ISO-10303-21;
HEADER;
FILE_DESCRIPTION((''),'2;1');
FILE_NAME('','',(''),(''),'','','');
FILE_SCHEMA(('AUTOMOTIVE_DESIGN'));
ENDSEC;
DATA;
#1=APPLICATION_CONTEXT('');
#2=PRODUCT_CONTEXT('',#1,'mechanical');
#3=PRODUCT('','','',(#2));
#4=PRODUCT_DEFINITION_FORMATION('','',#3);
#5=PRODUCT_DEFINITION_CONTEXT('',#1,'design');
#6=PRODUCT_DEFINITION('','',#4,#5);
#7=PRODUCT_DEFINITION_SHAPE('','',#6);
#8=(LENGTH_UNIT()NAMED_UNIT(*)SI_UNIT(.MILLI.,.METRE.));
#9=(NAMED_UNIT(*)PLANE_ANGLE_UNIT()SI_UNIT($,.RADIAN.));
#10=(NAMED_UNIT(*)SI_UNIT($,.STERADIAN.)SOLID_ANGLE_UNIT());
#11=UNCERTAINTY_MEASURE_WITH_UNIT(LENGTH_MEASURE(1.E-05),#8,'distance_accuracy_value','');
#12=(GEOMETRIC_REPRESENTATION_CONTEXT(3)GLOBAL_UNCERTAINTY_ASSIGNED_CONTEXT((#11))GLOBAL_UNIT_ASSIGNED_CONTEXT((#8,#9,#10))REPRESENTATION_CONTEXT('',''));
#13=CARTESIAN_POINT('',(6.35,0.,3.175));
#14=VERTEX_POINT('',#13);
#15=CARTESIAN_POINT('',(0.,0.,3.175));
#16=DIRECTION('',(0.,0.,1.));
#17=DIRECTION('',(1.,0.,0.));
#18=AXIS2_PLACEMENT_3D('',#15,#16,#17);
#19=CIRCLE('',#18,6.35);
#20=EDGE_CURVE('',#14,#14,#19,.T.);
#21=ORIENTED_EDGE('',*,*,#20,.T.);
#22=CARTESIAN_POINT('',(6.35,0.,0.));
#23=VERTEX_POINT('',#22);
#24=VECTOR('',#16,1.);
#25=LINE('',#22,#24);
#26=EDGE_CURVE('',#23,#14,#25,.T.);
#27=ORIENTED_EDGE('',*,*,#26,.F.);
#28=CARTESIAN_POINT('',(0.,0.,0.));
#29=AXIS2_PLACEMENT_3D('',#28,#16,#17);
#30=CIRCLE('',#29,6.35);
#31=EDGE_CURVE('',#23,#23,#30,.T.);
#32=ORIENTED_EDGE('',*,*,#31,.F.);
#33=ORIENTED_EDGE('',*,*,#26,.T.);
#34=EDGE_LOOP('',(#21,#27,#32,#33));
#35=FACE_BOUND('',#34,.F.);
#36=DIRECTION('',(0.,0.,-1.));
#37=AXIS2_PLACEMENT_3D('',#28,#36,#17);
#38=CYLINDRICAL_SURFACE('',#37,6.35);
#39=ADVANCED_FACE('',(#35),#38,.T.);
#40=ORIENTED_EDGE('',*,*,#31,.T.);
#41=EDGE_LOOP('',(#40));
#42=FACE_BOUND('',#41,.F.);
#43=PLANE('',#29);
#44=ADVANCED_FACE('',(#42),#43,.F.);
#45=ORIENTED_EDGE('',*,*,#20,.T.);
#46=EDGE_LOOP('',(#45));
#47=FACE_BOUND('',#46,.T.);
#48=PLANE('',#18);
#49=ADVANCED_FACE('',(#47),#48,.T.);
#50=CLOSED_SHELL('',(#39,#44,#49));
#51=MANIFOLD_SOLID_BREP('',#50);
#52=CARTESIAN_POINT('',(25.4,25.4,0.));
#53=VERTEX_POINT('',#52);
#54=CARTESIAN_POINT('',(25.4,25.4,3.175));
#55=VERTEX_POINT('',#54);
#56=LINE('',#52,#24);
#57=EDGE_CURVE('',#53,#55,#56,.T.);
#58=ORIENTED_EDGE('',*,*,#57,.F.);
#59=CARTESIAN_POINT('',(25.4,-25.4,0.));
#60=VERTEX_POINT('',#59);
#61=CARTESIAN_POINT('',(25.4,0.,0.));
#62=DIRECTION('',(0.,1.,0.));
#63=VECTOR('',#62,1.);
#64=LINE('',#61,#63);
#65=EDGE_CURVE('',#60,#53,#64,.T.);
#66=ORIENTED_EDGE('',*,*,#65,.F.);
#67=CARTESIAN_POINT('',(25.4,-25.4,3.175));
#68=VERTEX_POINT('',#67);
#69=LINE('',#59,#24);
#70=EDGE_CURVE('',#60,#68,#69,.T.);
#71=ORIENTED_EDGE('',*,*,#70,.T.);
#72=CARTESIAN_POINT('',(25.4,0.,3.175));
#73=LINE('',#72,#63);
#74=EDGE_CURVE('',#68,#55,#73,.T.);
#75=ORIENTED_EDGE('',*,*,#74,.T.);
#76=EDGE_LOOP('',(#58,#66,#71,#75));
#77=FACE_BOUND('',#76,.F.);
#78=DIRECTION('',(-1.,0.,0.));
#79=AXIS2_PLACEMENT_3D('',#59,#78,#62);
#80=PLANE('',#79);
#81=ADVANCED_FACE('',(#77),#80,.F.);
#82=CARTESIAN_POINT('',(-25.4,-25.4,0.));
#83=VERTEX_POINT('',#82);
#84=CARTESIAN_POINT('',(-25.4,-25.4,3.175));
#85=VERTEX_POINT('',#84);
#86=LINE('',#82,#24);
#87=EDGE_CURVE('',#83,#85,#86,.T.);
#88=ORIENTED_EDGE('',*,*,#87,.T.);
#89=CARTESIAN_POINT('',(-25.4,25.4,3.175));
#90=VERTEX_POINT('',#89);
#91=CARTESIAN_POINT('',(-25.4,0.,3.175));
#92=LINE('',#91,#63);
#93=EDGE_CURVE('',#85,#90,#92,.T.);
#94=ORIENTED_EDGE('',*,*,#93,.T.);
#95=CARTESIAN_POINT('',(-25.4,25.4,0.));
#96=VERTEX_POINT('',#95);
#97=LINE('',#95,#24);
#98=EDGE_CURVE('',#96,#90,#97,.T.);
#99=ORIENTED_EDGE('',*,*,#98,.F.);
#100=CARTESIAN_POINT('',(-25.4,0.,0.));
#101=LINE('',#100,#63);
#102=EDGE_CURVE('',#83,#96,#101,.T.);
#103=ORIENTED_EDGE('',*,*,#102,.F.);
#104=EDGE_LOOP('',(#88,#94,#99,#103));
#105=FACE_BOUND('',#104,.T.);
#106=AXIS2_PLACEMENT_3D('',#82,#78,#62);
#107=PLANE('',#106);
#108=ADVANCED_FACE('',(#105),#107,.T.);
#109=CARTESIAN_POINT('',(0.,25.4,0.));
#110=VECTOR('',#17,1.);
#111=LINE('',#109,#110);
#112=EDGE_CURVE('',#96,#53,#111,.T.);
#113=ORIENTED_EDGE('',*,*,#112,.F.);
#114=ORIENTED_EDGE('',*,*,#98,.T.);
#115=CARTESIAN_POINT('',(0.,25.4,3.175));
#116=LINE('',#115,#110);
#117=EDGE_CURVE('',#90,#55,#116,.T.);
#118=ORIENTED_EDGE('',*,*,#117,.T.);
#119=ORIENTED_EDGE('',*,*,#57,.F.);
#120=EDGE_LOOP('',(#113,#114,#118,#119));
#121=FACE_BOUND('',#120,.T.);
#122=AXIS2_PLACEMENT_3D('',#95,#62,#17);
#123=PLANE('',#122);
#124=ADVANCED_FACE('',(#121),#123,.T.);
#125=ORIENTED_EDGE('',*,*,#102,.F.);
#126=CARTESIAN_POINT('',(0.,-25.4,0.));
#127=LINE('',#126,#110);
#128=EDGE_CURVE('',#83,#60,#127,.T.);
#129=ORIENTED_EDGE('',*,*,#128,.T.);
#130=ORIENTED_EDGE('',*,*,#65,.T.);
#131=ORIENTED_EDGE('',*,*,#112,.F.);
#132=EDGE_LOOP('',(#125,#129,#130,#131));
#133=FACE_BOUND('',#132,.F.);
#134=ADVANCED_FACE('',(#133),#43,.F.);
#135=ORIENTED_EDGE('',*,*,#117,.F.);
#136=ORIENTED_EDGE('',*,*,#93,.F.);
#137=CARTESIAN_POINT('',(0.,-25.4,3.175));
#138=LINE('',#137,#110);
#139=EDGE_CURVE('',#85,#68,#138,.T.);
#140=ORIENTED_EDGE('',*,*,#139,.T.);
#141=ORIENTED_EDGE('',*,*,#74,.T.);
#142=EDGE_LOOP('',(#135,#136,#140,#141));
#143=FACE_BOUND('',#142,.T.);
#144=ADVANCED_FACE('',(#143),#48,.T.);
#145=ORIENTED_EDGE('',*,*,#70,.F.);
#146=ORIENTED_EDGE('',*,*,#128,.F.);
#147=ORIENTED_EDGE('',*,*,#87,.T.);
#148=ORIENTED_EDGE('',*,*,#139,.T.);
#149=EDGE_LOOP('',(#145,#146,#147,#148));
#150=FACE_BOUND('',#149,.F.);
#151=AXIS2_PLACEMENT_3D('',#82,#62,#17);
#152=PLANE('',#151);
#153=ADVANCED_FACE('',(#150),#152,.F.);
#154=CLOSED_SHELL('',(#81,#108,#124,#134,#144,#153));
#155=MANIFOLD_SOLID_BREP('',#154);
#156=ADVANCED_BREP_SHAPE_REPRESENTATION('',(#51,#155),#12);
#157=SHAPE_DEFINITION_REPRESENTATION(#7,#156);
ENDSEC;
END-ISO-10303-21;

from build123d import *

# Parameters (mm, degrees)
F0_W     = 50.8
F0_H     = 50.8
F1_DEPTH = 3.175
F2_R     = 6.35
F3_DEPTH = 3.175


with BuildPart() as f1:
    # F0 (on Top) → F1 (new body)
    with BuildSketch(Plane.XY):
        Rectangle(F0_W, F0_H)
    extrude(amount=F1_DEPTH)


with BuildPart() as f3:
    # F2 (on Top) → F3 (new body)
    with BuildSketch(Plane.XY):
        Circle(F2_R)
    extrude(amount=F3_DEPTH)


solid = Compound([f1.part, f3.part])
